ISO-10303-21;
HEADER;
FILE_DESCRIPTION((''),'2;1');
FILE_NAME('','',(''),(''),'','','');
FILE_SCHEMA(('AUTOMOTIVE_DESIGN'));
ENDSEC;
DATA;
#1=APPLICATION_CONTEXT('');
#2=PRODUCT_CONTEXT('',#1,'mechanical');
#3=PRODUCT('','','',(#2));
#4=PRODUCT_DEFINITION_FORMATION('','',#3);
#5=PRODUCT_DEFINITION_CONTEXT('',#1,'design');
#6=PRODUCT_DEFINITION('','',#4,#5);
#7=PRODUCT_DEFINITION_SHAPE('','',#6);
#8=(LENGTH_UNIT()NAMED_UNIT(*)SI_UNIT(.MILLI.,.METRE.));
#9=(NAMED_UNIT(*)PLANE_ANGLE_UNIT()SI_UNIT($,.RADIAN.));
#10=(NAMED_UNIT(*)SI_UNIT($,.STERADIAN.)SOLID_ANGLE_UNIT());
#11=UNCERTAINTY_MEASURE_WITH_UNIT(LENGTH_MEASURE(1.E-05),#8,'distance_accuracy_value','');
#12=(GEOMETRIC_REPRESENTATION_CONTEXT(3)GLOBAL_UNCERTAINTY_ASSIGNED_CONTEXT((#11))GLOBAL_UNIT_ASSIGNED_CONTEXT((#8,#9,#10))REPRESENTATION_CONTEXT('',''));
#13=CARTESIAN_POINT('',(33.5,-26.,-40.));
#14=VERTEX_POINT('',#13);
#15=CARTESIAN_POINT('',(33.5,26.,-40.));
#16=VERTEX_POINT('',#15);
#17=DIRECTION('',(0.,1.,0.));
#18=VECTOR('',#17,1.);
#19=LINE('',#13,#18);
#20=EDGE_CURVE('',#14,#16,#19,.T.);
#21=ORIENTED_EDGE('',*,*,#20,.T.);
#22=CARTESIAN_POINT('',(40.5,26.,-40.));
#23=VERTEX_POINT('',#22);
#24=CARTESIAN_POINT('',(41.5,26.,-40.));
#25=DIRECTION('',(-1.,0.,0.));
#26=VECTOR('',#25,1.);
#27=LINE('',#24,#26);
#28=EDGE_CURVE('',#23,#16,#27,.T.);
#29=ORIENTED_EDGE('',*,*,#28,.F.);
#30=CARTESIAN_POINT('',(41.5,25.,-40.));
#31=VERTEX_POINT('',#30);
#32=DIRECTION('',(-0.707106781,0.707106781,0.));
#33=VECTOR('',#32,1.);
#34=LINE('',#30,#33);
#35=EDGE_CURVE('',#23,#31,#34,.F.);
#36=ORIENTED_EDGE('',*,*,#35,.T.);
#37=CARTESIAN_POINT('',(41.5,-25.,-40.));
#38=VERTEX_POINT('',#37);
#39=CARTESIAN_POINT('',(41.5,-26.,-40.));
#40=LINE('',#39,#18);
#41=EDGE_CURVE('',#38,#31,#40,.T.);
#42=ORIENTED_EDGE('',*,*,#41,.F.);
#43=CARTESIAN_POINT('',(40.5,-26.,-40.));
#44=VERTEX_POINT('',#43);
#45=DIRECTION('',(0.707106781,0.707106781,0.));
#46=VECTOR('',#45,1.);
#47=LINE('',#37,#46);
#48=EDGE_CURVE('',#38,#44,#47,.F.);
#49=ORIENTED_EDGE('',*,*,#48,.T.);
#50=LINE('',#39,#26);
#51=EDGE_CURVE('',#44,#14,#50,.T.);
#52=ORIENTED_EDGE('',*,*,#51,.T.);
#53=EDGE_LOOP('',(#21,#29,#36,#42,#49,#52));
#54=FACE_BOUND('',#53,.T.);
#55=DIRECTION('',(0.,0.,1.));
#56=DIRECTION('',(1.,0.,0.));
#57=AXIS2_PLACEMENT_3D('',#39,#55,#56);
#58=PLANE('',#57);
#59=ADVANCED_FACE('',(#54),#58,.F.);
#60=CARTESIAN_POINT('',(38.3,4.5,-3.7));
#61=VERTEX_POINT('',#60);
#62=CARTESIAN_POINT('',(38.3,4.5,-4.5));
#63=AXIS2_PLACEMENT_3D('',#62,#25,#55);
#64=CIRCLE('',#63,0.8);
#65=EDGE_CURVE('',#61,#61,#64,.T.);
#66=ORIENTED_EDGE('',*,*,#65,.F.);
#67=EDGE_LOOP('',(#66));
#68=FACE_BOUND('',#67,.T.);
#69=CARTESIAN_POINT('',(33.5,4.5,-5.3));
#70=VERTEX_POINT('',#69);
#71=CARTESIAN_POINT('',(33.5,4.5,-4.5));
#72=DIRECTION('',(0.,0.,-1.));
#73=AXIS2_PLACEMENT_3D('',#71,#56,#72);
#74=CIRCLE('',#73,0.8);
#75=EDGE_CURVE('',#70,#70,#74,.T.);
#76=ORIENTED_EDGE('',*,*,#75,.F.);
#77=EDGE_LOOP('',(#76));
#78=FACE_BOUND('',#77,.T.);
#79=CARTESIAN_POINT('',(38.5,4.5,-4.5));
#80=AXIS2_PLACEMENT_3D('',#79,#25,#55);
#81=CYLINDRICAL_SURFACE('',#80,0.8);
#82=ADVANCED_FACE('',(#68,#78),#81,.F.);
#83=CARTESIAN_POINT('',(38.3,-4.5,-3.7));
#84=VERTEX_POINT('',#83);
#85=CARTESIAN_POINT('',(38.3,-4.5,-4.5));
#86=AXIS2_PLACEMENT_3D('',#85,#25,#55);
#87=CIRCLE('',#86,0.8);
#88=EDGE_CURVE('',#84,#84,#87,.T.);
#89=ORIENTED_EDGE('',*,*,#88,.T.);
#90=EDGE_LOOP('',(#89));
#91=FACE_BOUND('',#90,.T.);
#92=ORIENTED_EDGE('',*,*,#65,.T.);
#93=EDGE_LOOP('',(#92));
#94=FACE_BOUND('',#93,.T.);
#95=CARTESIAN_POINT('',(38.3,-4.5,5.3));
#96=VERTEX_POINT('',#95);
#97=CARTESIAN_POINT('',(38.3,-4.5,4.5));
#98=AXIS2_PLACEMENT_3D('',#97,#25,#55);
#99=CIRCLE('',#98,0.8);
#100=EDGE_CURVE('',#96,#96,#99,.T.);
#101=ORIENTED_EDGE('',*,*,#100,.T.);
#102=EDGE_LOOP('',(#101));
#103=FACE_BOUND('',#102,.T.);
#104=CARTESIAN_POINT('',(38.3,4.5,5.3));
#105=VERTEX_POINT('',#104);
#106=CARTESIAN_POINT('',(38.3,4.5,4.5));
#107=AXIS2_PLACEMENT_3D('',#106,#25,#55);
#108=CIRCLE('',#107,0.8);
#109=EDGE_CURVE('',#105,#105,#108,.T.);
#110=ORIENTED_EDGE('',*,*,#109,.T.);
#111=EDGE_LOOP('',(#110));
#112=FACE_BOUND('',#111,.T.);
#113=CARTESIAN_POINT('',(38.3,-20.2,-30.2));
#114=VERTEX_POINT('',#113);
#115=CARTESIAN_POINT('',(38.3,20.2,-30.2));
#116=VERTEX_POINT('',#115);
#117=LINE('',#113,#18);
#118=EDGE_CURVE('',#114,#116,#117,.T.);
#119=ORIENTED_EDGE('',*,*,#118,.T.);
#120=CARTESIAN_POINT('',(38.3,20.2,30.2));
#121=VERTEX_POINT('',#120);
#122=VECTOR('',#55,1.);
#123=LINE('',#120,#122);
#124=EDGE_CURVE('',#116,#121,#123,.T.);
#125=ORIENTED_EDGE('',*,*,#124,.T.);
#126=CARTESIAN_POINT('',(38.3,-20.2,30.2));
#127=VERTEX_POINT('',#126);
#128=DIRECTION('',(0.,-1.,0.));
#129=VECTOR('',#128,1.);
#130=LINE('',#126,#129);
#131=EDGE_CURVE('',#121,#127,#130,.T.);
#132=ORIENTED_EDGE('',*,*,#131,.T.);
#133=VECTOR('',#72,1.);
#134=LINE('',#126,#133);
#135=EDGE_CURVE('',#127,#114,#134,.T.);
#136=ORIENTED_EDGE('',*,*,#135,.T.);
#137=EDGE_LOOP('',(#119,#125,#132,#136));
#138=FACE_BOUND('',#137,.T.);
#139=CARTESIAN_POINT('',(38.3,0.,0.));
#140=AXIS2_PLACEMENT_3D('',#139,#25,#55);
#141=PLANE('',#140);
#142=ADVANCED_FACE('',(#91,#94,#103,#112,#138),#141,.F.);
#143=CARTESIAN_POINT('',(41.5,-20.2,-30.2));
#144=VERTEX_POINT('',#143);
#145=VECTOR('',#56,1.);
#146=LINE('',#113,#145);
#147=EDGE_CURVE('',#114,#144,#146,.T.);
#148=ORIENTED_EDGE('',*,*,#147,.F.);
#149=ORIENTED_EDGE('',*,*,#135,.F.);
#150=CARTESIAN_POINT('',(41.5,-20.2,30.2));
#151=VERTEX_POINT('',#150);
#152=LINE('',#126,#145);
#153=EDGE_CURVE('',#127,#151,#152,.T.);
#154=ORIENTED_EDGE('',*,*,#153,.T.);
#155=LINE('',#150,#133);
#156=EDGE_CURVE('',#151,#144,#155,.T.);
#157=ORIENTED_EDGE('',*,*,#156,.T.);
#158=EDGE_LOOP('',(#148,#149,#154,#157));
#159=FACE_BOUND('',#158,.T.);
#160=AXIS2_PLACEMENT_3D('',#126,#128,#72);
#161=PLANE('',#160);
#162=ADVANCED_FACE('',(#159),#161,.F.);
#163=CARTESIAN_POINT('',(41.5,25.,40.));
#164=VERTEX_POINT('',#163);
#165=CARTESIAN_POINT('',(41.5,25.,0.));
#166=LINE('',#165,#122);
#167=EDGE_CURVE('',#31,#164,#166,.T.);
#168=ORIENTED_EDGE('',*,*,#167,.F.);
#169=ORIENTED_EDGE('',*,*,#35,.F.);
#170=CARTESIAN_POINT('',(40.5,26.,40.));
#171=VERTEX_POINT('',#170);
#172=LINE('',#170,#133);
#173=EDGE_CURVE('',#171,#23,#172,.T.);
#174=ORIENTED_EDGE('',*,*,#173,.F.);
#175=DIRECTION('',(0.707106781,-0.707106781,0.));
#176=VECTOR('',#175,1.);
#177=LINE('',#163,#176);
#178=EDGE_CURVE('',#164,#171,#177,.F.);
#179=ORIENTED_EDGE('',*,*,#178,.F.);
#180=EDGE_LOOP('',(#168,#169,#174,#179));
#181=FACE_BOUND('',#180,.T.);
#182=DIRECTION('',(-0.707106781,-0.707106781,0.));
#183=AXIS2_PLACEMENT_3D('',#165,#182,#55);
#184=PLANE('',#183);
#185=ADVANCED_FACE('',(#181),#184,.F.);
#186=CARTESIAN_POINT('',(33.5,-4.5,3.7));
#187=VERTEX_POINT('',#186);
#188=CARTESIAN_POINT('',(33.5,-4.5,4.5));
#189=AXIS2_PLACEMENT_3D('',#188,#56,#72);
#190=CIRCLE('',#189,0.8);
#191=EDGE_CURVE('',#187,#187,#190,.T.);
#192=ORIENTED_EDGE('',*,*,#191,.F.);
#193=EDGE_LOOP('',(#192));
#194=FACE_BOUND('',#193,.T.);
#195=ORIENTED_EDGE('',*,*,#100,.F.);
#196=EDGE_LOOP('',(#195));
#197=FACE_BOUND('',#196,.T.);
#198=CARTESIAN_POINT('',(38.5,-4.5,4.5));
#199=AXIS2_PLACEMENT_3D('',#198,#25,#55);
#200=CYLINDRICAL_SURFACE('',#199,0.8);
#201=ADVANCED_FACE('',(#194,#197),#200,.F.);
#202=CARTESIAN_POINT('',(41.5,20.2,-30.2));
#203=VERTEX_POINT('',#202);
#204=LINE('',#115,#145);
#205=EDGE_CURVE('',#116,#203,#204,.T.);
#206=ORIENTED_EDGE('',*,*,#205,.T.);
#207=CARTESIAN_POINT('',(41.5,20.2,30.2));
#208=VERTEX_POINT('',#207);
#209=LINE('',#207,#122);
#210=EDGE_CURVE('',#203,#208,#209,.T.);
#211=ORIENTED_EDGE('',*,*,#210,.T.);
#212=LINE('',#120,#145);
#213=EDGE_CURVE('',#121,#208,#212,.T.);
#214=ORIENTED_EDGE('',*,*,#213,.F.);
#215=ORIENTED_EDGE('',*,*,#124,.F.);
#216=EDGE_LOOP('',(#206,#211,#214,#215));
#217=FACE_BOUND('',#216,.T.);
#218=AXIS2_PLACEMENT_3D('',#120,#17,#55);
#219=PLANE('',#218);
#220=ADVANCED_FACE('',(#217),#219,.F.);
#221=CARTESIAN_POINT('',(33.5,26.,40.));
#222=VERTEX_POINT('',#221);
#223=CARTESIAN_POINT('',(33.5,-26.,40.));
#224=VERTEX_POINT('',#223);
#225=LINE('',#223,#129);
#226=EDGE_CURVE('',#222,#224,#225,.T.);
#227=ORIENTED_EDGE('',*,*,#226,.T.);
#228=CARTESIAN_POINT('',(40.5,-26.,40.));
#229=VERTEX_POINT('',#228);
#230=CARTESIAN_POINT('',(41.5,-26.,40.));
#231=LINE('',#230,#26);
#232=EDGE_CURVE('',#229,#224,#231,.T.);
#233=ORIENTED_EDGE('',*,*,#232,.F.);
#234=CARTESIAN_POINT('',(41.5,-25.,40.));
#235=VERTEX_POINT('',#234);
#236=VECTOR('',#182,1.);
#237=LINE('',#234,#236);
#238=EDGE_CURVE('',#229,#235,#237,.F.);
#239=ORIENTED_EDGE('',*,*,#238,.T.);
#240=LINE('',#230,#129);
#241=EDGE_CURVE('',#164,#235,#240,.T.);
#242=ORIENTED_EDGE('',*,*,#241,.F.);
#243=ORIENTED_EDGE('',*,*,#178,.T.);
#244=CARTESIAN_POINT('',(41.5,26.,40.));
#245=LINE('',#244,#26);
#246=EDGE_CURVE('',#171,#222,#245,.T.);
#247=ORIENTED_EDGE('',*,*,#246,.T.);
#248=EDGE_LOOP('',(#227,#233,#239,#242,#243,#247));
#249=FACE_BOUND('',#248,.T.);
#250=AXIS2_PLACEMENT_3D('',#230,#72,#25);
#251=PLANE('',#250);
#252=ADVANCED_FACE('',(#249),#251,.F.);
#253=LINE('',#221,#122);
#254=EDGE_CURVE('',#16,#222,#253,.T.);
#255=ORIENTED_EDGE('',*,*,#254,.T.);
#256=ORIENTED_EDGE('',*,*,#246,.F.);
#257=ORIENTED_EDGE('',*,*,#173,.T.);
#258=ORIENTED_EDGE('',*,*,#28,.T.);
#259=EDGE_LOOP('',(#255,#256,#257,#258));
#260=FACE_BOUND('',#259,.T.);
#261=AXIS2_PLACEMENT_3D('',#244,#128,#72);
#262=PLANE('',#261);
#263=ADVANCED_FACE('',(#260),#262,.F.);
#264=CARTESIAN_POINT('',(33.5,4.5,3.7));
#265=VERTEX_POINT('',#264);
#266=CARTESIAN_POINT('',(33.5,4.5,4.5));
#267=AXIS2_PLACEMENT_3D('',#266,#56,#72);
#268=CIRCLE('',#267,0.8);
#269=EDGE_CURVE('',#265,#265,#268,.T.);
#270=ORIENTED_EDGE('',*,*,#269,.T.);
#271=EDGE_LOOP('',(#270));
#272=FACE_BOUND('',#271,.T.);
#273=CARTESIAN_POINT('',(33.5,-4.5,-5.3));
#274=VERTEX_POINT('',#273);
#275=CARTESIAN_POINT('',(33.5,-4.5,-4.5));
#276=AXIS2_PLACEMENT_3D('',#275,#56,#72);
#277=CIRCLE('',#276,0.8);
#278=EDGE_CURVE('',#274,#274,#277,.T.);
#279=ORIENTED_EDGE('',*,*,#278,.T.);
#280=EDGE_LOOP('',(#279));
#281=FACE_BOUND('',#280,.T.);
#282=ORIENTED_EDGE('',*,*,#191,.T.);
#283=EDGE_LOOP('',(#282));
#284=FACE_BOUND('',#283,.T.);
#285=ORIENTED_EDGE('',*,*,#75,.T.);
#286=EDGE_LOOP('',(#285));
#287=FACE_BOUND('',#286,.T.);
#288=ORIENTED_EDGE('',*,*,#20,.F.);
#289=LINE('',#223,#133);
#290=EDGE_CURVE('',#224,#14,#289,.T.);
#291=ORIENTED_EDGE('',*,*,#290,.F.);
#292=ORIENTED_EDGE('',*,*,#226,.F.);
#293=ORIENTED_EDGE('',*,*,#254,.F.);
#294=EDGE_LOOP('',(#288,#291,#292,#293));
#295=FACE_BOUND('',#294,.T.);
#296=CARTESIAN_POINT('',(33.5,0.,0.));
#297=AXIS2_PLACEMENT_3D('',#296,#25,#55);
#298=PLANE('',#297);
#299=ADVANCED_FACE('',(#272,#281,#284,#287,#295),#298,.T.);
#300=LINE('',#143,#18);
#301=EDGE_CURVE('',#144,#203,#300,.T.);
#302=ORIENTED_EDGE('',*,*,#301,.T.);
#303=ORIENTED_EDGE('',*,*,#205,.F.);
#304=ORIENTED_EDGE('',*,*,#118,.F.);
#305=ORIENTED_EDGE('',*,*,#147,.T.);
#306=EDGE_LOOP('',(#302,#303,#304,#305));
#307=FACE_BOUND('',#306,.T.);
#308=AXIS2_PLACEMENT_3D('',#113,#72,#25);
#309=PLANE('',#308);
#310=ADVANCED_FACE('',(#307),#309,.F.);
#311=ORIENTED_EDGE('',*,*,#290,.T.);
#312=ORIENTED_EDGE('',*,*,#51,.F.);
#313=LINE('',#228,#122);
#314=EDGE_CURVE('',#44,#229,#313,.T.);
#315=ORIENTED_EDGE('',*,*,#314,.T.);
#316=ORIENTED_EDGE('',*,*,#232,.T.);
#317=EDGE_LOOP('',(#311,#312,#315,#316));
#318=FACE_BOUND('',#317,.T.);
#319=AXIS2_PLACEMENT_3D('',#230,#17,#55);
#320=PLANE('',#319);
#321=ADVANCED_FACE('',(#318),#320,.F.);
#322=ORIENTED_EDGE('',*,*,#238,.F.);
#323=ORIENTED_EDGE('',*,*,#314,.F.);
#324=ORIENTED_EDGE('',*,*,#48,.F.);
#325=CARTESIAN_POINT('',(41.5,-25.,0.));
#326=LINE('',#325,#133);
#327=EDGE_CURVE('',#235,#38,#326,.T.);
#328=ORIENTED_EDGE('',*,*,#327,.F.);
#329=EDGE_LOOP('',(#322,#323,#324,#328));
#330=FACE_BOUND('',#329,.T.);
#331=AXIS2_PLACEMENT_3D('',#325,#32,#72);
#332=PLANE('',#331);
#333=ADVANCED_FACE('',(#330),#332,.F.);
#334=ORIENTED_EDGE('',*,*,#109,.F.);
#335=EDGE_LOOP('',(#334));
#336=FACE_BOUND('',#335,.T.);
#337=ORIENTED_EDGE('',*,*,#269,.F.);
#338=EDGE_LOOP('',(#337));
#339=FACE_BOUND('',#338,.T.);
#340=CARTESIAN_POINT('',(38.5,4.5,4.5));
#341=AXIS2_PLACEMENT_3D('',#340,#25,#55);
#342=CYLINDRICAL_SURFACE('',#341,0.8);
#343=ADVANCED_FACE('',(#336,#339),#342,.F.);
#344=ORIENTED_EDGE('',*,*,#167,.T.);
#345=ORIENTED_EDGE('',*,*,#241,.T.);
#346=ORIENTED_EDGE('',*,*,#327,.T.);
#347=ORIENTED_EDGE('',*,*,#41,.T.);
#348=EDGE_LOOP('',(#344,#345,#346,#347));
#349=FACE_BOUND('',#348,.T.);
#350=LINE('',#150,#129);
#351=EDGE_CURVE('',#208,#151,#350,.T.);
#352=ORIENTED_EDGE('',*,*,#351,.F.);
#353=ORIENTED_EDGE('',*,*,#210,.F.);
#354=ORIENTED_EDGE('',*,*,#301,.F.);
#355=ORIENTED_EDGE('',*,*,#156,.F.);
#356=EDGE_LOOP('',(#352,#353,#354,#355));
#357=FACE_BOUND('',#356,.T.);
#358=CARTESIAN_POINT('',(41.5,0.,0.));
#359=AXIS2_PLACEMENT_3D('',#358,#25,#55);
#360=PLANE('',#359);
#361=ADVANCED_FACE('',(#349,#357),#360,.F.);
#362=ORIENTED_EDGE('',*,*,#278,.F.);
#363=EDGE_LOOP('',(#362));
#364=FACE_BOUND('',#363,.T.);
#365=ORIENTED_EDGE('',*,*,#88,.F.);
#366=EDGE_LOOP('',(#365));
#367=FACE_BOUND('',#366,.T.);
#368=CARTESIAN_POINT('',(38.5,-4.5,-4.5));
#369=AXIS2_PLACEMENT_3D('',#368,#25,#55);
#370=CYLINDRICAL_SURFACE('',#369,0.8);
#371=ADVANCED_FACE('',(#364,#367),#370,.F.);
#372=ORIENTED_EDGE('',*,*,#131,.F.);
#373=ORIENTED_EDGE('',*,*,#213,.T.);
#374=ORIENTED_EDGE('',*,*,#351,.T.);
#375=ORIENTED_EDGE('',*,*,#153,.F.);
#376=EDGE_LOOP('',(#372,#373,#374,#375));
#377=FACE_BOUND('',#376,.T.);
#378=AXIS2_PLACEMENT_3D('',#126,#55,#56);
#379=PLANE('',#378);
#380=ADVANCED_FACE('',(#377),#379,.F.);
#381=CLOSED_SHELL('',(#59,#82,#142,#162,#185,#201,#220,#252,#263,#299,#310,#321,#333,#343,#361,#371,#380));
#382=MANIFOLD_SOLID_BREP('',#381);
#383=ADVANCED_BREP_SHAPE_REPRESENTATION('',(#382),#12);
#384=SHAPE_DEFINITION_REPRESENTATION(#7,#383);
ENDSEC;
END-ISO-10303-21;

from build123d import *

# Parameters (mm, degrees)
SKETCH1_W           = 80
SKETCH1_H           = 52
BOSS_EXTRUDE1_DEPTH = 8
SKETCH2_R           = 0.8
CUT_EXTRUDE2_DEPTH  = 5
SKETCH3_W           = 60.4
SKETCH3_H           = 40.4
CUT_EXTRUDE3_DEPTH  = 3.2
CHAMFER1_SIZE       = 1


with BuildPart() as part:
    # Sketch1 → Boss-Extrude1 (new body)
    with BuildSketch(Plane(origin=(33.5, 0, 0), x_dir=(0, 0, -1), z_dir=(1, 0, 0))):
        Rectangle(SKETCH1_W, SKETCH1_H)
    extrude(amount=BOSS_EXTRUDE1_DEPTH)

    # Sketch2 → Cut-Extrude2 (cut)
    with BuildSketch(Plane(origin=(33.5, 0, 0), x_dir=(0, 0, -1), z_dir=(1, 0, 0))):
        with Locations((-4.5, -4.5)):
            Circle(SKETCH2_R)
        with Locations((4.5, -4.5)):
            Circle(SKETCH2_R)
        with Locations((-4.5, 4.5)):
            Circle(SKETCH2_R)
        with Locations((4.5, 4.5)):
            Circle(SKETCH2_R)
    extrude(amount=CUT_EXTRUDE2_DEPTH, mode=Mode.SUBTRACT)

    # Sketch3 → Cut-Extrude3 (cut)
    with BuildSketch(Plane(origin=(41.5, 0, 0), x_dir=(0, 0, -1), z_dir=(1, 0, 0))):
        Rectangle(SKETCH3_W, SKETCH3_H)
    extrude(amount=-CUT_EXTRUDE3_DEPTH, mode=Mode.SUBTRACT)

    # Chamfer1
    chamfer1_edges = [part.edges().sort_by_distance(p)[0] for p in [
        (41.5, 26, 0),
        (41.5, -26, 0),
    ]]
    chamfer(chamfer1_edges, length=CHAMFER1_SIZE)


solid = part.part
